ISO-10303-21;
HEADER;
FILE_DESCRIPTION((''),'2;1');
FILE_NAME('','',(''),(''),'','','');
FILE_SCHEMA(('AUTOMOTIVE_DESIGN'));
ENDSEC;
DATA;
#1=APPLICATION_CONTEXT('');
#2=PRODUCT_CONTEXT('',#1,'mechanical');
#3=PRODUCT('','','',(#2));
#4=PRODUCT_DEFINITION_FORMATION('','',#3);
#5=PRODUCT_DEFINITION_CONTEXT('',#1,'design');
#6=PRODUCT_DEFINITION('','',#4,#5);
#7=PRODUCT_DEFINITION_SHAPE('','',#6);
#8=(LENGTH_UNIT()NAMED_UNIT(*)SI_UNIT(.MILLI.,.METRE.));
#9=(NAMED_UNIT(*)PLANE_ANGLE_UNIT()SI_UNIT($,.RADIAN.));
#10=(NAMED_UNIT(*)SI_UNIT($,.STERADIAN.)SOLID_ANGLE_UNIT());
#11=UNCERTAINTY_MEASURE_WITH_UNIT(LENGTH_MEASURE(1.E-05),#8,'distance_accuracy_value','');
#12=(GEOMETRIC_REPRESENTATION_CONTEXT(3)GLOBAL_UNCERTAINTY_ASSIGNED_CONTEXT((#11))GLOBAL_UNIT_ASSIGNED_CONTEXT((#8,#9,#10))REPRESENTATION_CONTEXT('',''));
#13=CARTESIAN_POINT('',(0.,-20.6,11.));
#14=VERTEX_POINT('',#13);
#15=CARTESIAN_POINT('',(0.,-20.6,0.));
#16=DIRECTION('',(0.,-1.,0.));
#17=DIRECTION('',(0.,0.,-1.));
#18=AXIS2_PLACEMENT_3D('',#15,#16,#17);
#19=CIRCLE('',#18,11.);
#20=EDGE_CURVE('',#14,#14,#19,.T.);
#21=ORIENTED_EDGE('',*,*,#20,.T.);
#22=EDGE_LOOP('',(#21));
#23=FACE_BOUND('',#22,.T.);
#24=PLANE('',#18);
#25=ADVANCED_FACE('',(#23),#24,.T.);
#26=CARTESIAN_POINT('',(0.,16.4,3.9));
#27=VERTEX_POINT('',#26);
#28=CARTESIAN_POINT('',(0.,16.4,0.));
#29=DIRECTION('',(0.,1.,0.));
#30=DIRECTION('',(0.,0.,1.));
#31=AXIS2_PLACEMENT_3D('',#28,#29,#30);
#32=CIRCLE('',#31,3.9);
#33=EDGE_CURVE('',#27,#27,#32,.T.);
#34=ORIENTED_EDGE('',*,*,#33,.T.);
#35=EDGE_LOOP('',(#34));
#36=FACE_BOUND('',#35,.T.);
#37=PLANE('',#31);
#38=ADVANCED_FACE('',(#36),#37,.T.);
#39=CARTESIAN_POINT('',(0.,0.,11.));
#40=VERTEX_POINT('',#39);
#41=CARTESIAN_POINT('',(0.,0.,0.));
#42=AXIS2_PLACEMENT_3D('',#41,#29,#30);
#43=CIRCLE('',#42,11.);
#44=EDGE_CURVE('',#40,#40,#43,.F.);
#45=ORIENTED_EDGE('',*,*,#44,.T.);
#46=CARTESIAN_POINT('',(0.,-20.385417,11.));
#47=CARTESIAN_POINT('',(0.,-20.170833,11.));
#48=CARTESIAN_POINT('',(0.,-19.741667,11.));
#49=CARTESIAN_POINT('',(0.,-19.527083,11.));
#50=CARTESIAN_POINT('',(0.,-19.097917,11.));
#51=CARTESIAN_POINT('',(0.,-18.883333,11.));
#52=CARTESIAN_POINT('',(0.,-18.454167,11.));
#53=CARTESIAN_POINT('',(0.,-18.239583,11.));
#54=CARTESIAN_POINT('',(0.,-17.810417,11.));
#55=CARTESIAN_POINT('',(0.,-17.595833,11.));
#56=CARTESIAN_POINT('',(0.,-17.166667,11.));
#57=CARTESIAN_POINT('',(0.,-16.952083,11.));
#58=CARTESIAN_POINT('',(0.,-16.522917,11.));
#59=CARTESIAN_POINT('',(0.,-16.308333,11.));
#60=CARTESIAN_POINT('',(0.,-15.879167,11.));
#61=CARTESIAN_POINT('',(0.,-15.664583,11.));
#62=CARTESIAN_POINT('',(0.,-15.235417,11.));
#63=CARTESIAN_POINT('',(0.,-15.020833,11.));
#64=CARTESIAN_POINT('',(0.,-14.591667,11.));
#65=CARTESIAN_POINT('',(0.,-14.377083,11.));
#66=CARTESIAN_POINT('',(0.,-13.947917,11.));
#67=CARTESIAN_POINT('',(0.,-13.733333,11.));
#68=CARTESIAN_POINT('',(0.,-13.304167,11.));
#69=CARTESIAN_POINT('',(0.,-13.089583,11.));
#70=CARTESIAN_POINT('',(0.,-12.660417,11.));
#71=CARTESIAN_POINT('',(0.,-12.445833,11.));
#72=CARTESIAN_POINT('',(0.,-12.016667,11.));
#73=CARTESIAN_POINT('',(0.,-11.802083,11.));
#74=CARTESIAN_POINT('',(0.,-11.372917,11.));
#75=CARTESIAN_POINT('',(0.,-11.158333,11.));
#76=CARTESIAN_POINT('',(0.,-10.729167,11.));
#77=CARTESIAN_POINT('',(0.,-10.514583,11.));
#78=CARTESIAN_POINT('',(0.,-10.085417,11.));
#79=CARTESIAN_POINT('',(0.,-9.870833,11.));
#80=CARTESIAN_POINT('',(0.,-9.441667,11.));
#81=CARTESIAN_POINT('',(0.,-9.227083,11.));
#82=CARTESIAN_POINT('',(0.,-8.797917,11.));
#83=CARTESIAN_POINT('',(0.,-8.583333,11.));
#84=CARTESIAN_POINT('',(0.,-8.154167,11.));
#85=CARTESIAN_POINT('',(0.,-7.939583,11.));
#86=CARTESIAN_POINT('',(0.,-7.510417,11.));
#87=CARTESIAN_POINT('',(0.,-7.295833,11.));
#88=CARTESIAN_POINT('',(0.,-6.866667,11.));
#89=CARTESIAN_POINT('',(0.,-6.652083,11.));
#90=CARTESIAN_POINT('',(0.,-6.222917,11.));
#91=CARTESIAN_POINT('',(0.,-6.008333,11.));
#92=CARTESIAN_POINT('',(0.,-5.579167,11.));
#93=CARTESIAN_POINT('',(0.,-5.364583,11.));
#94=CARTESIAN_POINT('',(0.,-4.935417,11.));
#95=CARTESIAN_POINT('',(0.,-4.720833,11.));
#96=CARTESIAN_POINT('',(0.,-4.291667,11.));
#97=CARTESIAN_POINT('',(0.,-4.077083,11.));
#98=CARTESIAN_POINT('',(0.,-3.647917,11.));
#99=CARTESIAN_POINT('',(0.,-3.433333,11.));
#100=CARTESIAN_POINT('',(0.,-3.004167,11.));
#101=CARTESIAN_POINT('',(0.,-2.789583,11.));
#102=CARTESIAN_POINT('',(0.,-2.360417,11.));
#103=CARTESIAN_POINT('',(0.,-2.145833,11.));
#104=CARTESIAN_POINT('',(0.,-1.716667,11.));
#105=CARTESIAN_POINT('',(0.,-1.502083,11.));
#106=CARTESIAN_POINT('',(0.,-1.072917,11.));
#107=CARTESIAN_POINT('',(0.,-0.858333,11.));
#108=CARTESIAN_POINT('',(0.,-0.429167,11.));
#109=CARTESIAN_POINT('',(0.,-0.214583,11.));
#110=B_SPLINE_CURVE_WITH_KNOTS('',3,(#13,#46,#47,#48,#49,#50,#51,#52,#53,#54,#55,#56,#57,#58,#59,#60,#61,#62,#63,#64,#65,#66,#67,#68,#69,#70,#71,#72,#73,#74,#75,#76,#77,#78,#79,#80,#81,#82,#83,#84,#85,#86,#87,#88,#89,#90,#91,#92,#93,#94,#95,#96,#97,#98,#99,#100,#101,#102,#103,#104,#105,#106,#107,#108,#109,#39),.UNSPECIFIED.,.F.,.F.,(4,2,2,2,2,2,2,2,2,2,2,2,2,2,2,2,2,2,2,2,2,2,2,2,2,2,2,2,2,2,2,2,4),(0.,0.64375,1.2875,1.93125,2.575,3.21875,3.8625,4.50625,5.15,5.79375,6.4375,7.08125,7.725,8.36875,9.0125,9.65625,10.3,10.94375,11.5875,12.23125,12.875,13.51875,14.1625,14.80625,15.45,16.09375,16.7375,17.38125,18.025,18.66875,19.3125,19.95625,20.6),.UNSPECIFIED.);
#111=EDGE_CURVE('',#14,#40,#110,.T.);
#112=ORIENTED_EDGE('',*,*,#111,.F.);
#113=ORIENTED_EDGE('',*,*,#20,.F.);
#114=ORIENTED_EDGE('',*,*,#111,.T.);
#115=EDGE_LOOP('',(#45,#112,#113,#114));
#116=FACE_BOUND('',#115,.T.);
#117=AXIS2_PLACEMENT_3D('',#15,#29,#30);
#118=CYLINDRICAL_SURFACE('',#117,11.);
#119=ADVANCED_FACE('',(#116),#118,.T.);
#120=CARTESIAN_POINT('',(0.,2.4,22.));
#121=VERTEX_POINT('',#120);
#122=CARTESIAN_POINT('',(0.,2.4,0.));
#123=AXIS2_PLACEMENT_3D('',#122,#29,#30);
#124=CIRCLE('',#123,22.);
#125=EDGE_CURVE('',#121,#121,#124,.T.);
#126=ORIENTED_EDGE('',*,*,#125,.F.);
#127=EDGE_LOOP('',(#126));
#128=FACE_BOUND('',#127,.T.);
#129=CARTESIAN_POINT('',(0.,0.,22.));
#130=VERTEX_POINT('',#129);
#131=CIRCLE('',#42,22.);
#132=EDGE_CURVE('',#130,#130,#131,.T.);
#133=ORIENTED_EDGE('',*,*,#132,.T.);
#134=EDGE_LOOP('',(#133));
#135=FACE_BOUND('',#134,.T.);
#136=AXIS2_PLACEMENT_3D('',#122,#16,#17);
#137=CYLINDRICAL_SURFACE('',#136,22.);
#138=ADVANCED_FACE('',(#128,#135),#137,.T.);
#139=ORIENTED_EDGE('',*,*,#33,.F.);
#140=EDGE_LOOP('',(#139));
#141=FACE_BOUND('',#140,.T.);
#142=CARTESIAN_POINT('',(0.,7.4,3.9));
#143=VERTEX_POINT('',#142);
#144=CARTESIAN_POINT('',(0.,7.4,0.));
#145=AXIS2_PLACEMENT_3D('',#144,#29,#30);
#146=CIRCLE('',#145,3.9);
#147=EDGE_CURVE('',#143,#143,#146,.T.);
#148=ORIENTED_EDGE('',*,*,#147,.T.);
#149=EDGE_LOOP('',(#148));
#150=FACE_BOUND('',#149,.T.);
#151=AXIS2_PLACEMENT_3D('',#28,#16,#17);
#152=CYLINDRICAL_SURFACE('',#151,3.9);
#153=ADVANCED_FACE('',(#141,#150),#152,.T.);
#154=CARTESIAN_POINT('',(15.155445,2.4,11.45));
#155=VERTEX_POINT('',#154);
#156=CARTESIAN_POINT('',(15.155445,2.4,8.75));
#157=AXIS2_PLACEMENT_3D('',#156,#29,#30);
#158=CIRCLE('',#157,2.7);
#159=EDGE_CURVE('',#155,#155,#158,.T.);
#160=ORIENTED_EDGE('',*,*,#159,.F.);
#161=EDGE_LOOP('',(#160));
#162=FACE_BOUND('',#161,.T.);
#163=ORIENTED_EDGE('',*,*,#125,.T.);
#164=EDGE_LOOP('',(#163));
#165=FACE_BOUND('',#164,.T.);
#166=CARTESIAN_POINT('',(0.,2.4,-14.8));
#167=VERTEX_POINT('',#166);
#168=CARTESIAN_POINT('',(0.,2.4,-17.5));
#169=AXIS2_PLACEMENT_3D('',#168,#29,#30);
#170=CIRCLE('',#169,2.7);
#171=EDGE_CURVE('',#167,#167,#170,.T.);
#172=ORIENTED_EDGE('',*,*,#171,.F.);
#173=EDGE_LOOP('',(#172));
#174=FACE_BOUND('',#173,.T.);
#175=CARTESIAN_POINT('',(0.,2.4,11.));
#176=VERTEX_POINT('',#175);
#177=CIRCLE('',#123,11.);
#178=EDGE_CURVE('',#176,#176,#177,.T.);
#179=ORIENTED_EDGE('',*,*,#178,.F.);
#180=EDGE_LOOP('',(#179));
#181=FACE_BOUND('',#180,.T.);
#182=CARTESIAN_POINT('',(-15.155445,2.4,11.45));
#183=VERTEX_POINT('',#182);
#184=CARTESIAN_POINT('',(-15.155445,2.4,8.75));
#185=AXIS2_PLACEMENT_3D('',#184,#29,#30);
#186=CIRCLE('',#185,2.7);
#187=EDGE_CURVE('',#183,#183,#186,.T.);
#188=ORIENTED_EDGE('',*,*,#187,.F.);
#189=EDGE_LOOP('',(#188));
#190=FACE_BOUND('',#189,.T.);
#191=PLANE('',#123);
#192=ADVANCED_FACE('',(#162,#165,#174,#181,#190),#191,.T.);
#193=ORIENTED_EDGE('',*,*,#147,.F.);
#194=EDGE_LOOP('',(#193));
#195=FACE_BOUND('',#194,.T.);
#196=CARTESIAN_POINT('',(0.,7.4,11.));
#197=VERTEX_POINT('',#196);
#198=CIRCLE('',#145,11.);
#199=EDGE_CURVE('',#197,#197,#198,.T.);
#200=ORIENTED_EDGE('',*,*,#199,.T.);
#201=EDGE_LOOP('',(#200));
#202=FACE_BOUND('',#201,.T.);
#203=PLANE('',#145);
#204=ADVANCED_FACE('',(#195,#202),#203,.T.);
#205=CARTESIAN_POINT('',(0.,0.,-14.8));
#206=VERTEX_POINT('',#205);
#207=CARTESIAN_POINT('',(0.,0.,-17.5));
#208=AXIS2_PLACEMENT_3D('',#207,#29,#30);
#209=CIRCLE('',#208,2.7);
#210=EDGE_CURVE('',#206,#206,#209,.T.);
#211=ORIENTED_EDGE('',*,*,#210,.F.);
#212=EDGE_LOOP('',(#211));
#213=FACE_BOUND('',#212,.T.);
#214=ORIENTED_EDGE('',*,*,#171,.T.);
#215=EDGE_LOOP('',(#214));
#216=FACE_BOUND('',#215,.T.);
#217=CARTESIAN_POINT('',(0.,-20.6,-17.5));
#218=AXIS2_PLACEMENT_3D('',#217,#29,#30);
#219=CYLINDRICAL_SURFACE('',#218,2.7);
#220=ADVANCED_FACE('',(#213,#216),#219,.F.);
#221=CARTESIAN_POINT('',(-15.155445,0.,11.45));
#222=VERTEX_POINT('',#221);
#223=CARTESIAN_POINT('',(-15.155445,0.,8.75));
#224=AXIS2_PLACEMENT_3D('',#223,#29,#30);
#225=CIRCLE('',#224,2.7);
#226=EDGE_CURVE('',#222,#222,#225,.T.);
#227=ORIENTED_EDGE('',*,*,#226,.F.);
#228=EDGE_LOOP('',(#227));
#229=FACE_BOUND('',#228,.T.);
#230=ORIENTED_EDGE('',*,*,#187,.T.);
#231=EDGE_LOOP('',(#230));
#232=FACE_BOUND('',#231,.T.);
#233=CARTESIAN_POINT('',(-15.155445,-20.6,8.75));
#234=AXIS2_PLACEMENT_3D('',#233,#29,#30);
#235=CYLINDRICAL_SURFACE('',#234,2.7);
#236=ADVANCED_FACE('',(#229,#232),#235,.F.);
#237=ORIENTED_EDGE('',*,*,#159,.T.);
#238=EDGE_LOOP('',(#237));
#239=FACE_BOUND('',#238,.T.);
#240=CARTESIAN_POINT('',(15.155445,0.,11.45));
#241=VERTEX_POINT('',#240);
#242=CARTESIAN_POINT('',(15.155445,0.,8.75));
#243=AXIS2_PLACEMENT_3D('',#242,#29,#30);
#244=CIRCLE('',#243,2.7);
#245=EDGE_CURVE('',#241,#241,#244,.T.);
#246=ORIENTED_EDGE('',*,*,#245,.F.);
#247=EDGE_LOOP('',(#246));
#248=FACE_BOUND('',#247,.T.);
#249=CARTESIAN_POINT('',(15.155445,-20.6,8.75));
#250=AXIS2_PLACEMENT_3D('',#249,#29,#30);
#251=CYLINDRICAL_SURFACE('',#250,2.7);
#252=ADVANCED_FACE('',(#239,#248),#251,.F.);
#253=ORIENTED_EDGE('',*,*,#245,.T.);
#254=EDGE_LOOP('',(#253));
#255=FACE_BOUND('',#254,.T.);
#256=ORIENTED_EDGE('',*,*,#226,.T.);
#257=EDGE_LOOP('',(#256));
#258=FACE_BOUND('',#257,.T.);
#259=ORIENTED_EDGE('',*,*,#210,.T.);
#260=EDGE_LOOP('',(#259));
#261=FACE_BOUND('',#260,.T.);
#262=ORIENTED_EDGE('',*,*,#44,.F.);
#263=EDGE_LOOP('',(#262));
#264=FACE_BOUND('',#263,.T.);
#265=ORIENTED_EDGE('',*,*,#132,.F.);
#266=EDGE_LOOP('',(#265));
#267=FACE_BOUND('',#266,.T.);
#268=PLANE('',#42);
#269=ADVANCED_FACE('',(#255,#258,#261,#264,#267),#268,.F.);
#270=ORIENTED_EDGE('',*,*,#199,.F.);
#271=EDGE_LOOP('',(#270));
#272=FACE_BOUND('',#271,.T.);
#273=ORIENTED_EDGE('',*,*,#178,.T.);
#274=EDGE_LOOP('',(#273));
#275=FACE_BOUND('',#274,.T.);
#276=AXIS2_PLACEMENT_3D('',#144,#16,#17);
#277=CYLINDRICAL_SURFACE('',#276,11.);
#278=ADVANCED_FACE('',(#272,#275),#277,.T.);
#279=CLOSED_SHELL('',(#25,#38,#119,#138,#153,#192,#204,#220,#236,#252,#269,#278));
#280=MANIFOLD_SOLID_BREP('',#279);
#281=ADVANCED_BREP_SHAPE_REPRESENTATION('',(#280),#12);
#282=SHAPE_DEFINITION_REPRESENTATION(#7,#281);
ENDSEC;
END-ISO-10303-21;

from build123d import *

# Parameters (mm, degrees)
SKETCH1_R           = 22
BOSS_EXTRUDE1_DEPTH = 2.4
SKETCH2_R           = 11
BOSS_EXTRUDE2_DEPTH = 5
SKETCH3_R           = 3.9
BOSS_EXTRUDE3_DEPTH = 9
BOSS_EXTRUDE4_START = 20.6
SKETCH4_R           = 11
BOSS_EXTRUDE4_DEPTH = 20.6
SKETCH5_R           = 2.7
CUT_EXTRUDE1_DEPTH  = 39.691084244


with BuildPart() as part:
    # Sketch1 → Boss-Extrude1 (new body)
    with BuildSketch(Plane(origin=(0, 0, 0), x_dir=(1, 0, 0), z_dir=(0, 1, 0))):
        with Locations(Location((0, 0, 0), (0, 0, 270))):
            Circle(SKETCH1_R)
    extrude(amount=BOSS_EXTRUDE1_DEPTH)

    # Sketch2 → Boss-Extrude2 (add)
    with BuildSketch(Plane(origin=(0, 2.4, 0), x_dir=(1, 0, 0), z_dir=(0, 1, 0))):
        with Locations(Location((0, 0, 0), (0, 0, 270))):
            Circle(SKETCH2_R)
    extrude(amount=BOSS_EXTRUDE2_DEPTH)

    # Sketch3 → Boss-Extrude3 (add)
    with BuildSketch(Plane(origin=(0, 7.4, 0), x_dir=(1, 0, 0), z_dir=(0, 1, 0))):
        with Locations(Location((0, 0, 0), (0, 0, 270))):
            Circle(SKETCH3_R)
    extrude(amount=BOSS_EXTRUDE3_DEPTH)

    # Sketch4 → Boss-Extrude4 (add)
    with BuildSketch(Plane.XZ.offset(BOSS_EXTRUDE4_START)):
        with Locations(Location((0, 0, 0), (0, 0, 90))):
            Circle(SKETCH4_R)
    extrude(amount=-BOSS_EXTRUDE4_DEPTH)

    # Sketch5 → Cut-Extrude1 (cut, through all)
    with BuildSketch(Plane(origin=(0, 2.4, 0), x_dir=(1, 0, 0), z_dir=(0, 1, 0))):
        with Locations(Location((0, 17.5, 0), (0, 0, 270))):
            Circle(SKETCH5_R)
        with Locations(Location((-15.155444566, -8.75, 0), (0, 0, 270))):
            Circle(SKETCH5_R)
        with Locations(Location((15.155444566, -8.75, 0), (0, 0, 270))):
            Circle(SKETCH5_R)
    extrude(amount=-CUT_EXTRUDE1_DEPTH, mode=Mode.SUBTRACT)


solid = part.part
